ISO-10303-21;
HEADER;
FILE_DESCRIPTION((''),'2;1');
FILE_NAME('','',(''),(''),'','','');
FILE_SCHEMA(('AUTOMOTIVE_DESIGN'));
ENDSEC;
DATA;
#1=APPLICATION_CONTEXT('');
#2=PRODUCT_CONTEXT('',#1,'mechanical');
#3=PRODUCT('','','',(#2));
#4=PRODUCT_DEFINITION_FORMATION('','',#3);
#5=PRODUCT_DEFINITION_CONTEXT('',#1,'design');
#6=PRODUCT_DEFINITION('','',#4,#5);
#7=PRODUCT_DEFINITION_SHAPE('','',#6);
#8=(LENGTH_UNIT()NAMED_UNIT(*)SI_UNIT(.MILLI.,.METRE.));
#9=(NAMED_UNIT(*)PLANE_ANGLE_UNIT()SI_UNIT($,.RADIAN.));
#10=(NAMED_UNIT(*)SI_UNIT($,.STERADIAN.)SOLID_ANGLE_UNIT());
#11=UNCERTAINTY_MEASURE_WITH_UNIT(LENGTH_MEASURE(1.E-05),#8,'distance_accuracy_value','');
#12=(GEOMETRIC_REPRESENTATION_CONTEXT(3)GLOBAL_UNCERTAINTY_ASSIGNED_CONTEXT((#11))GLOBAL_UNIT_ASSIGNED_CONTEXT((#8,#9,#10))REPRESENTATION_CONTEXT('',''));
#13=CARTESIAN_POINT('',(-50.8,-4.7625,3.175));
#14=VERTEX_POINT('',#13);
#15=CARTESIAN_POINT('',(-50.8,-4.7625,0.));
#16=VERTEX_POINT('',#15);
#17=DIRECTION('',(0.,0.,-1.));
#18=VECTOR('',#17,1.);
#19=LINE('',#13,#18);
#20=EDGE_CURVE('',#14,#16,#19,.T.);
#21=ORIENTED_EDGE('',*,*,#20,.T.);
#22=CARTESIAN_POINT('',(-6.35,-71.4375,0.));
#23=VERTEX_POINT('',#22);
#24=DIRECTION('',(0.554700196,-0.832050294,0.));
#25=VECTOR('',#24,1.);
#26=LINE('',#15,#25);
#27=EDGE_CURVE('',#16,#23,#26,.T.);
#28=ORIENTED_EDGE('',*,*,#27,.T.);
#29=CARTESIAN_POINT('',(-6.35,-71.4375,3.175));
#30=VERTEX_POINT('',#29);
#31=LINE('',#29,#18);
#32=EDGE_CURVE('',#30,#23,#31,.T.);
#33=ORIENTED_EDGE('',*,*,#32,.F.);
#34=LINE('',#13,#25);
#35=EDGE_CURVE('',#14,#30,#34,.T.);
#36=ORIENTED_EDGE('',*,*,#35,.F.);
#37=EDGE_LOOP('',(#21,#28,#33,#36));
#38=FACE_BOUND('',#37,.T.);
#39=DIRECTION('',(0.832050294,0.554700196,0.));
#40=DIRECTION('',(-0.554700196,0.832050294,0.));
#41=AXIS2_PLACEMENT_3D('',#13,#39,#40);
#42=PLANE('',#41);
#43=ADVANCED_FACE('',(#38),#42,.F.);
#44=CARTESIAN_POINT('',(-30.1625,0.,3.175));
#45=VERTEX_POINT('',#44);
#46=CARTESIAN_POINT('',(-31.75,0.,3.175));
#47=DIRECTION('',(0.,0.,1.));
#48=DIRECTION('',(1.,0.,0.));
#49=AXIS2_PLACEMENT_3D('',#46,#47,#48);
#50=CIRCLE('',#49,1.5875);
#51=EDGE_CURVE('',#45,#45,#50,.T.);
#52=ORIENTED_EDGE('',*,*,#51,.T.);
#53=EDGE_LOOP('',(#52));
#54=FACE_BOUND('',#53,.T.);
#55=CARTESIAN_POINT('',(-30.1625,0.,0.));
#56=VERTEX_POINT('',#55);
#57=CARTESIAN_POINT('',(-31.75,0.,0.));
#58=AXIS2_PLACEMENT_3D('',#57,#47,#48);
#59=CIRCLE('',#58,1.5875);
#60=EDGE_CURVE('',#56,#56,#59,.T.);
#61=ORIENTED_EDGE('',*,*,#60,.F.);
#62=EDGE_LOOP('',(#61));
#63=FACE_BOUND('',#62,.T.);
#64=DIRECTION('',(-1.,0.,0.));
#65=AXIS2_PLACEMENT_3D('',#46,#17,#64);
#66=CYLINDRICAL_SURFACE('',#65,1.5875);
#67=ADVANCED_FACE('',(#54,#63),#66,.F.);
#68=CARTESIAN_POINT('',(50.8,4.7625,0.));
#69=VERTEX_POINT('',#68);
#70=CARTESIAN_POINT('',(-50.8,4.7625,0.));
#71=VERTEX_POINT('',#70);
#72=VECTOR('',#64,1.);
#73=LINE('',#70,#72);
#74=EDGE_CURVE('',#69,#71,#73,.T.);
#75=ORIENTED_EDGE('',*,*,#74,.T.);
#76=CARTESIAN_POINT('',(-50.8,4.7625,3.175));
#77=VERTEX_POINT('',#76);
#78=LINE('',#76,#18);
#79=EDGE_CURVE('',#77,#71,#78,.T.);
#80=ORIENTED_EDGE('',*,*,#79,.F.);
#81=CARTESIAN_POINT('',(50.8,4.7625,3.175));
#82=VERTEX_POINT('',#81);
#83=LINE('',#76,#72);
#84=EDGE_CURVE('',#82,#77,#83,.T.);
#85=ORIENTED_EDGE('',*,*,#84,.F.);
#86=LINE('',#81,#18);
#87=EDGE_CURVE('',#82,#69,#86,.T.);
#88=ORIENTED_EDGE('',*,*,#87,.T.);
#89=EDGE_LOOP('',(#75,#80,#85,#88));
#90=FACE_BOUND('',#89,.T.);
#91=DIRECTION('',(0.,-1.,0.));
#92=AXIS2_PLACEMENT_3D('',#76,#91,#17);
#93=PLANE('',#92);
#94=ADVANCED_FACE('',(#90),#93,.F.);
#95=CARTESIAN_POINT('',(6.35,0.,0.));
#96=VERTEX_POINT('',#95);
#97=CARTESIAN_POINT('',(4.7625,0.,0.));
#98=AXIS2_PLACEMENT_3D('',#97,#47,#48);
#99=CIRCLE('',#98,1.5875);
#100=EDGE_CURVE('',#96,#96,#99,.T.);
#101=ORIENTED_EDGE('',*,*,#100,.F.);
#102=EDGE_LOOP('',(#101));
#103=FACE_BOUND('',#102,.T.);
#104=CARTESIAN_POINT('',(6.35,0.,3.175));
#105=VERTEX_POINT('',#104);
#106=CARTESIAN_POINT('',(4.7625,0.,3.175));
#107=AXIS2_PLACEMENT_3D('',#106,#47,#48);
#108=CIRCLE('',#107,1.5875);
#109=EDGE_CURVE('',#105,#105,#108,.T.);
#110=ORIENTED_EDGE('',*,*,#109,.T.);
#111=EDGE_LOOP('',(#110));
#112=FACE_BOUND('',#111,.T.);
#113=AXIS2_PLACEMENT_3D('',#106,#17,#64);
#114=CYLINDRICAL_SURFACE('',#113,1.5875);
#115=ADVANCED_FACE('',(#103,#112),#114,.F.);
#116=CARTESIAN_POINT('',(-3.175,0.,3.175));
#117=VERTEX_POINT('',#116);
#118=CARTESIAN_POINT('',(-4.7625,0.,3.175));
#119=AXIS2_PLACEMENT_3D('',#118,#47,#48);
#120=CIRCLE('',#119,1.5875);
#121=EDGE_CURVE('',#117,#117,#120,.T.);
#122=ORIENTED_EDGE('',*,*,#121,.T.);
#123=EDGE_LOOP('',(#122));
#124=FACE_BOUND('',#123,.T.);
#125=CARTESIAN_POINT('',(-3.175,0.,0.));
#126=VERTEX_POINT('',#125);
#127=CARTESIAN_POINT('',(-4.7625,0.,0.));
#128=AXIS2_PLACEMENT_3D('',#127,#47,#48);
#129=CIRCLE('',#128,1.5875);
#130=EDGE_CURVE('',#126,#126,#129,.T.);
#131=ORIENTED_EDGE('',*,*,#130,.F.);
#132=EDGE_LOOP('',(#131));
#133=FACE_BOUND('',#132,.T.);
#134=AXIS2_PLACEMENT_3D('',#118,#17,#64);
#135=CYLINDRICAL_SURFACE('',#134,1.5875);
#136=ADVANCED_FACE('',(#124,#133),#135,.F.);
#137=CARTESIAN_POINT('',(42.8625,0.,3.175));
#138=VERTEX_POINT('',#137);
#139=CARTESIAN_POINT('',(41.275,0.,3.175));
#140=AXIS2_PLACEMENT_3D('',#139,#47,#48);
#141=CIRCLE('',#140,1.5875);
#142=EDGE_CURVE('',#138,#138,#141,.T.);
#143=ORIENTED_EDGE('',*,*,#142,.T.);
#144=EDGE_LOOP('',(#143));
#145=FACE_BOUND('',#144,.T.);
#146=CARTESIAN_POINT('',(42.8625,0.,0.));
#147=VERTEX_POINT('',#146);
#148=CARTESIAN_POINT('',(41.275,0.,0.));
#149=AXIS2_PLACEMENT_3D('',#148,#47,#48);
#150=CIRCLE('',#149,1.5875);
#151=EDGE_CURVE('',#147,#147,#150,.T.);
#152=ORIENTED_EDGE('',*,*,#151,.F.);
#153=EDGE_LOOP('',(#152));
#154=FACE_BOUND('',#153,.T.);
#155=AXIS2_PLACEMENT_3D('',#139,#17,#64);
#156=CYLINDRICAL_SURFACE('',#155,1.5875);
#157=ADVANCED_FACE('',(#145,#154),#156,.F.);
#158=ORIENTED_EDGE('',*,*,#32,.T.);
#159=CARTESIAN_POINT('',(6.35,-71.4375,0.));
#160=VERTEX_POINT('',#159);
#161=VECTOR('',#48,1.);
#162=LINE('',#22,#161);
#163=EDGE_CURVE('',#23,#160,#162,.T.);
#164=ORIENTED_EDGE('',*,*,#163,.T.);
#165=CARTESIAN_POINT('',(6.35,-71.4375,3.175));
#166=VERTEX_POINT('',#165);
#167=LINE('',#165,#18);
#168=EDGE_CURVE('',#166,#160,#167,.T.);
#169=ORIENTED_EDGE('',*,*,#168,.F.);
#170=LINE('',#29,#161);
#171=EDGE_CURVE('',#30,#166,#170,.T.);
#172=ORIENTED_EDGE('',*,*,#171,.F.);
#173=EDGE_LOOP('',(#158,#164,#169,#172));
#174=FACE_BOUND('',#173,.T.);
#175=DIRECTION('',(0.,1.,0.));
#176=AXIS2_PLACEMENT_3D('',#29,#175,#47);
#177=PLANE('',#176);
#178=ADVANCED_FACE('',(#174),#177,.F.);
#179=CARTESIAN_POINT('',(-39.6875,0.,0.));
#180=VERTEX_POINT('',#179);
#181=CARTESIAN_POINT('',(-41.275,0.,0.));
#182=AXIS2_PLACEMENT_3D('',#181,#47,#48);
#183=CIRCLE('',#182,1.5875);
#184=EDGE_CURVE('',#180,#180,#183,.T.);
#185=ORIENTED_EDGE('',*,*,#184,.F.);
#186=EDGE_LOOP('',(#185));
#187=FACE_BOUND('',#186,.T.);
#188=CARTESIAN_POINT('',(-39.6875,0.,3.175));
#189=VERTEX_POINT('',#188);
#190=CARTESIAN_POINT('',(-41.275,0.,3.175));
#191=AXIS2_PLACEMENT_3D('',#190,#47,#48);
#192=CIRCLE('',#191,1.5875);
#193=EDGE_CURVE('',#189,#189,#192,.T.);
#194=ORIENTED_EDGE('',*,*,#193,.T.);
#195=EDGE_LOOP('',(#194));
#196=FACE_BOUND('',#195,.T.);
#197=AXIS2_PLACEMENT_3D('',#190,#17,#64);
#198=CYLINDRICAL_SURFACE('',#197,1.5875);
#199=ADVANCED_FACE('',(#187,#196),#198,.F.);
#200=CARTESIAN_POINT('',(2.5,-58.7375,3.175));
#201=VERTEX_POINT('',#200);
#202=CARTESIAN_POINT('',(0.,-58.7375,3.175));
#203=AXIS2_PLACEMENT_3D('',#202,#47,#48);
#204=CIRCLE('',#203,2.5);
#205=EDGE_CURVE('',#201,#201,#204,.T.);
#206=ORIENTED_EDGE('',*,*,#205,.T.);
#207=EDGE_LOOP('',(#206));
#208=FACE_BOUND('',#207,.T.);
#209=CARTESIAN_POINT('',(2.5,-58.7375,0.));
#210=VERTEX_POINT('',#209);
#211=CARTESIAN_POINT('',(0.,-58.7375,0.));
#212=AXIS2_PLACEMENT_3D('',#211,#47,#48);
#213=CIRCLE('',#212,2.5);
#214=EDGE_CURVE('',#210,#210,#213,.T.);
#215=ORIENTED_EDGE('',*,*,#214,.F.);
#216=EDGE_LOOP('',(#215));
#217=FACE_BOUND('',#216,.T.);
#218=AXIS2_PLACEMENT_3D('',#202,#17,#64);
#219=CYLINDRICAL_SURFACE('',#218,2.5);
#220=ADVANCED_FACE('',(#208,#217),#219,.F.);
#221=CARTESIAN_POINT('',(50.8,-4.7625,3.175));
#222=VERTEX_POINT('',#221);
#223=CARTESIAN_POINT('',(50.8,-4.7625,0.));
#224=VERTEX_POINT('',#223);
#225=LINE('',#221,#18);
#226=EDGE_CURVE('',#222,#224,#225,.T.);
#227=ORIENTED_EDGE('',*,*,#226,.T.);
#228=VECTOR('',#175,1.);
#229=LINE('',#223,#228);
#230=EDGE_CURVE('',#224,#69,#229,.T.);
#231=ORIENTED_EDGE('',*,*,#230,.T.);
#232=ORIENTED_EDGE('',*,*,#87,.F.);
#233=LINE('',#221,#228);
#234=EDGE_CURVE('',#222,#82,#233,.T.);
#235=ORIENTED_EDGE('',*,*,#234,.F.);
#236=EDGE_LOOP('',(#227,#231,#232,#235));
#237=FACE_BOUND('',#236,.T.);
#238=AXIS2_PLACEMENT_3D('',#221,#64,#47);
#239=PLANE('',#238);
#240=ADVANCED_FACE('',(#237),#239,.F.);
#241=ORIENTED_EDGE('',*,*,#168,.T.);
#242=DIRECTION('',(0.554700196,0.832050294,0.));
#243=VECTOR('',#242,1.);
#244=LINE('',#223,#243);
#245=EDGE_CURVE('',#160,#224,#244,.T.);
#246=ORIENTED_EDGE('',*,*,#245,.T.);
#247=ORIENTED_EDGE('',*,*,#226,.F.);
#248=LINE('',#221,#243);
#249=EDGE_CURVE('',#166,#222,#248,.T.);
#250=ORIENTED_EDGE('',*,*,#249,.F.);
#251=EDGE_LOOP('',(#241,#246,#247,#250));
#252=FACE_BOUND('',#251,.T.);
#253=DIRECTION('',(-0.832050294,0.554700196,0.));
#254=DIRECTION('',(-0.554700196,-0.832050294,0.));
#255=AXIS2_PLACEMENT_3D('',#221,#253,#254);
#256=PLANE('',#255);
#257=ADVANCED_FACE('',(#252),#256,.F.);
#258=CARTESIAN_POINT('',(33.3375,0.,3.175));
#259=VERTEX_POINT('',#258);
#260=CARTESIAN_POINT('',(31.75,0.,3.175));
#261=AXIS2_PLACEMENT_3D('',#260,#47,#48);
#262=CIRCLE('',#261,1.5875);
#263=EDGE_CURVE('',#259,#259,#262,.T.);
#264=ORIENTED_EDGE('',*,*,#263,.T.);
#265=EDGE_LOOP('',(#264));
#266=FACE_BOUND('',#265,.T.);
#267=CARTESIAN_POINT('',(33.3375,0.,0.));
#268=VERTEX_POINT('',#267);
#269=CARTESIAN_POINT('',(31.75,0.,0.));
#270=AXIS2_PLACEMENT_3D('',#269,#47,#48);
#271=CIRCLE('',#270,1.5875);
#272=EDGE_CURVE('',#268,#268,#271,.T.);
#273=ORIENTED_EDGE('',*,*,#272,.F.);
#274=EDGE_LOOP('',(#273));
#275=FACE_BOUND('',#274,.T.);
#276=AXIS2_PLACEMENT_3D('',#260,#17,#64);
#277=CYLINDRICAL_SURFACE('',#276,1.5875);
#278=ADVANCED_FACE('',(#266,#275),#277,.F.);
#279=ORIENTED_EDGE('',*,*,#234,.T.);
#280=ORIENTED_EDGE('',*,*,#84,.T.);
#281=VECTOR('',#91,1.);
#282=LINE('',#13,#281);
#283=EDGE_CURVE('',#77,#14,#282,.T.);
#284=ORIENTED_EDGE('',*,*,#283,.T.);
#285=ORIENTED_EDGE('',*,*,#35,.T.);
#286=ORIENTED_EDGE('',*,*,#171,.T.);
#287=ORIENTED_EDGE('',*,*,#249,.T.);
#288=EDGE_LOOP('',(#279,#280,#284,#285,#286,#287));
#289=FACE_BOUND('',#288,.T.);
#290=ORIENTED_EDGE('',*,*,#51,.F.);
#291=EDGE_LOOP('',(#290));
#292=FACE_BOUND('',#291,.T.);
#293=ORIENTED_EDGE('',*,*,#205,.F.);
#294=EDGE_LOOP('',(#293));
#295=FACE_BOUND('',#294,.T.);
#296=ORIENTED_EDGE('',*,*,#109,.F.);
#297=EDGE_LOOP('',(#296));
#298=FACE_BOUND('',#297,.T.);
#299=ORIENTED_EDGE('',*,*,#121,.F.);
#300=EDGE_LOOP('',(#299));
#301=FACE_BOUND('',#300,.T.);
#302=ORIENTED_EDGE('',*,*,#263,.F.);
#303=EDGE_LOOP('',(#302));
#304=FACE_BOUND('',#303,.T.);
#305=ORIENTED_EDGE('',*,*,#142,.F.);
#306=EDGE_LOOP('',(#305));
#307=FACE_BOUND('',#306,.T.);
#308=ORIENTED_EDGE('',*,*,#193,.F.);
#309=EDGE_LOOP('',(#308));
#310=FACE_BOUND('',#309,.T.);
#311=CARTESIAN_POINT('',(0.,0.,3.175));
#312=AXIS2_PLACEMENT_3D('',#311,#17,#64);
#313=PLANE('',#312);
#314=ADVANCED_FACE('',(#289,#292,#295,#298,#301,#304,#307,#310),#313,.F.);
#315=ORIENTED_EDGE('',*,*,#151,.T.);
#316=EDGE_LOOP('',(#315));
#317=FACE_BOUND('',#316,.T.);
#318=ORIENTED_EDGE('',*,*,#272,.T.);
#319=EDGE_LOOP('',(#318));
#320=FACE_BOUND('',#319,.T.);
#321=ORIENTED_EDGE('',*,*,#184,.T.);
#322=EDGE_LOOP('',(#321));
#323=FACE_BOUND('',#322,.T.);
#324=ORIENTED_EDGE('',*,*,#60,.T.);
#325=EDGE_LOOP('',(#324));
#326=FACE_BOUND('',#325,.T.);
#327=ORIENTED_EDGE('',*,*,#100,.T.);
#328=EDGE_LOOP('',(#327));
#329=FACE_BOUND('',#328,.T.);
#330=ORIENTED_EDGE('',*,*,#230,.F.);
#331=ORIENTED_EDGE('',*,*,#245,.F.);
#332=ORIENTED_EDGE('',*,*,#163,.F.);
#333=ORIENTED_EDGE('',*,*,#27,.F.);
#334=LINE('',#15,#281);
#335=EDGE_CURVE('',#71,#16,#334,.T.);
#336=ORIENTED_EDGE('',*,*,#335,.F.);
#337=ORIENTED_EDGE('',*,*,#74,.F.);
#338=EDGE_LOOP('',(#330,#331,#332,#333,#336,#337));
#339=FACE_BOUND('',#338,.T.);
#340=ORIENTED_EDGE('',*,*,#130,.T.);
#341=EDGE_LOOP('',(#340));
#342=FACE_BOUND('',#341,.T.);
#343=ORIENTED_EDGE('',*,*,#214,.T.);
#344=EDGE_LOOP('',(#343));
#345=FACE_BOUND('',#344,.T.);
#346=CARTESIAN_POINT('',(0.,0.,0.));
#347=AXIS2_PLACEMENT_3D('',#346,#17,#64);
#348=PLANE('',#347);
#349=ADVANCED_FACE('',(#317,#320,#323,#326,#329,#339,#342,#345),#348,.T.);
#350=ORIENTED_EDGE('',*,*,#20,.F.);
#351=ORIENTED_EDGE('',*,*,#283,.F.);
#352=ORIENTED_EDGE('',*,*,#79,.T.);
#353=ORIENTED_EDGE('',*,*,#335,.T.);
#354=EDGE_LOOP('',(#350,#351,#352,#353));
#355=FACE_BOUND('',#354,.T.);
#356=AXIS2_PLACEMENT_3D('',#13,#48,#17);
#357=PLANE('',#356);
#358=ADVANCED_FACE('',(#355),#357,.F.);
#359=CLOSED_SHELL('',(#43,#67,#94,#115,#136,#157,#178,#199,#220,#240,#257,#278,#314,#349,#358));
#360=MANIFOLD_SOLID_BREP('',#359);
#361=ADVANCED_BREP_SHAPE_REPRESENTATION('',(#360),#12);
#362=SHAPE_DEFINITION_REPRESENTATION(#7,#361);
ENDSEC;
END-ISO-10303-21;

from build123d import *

# Parameters (mm, degrees)
SKETCH1_R           = 1.5875
SKETCH1_R_2         = 2.50000008
BOSS_EXTRUDE1_DEPTH = 3.175


with BuildPart() as part:
    # Sketch1 → Boss-Extrude1 (new body)
    with BuildSketch(Plane.XY):
        Polygon((-50.8, -4.7625), (-50.8, 4.7625), (50.8, 4.7625), (50.8, -4.7625), (6.35, -71.4375), (-6.35, -71.4375), align=None)
        with Locations((4.7625, 0)):
            Circle(SKETCH1_R, mode=Mode.SUBTRACT)
        with Locations((-4.7625, 0)):
            Circle(SKETCH1_R, mode=Mode.SUBTRACT)
        with Locations((-41.275, 0)):
            Circle(SKETCH1_R, mode=Mode.SUBTRACT)
        with Locations((-31.75, 0)):
            Circle(SKETCH1_R, mode=Mode.SUBTRACT)
        with Locations((31.75, 0)):
            Circle(SKETCH1_R, mode=Mode.SUBTRACT)
        with Locations((41.275, 0)):
            Circle(SKETCH1_R, mode=Mode.SUBTRACT)
        with Locations((0, -58.7375)):
            Circle(SKETCH1_R_2, mode=Mode.SUBTRACT)
    extrude(amount=BOSS_EXTRUDE1_DEPTH)


solid = part.part
